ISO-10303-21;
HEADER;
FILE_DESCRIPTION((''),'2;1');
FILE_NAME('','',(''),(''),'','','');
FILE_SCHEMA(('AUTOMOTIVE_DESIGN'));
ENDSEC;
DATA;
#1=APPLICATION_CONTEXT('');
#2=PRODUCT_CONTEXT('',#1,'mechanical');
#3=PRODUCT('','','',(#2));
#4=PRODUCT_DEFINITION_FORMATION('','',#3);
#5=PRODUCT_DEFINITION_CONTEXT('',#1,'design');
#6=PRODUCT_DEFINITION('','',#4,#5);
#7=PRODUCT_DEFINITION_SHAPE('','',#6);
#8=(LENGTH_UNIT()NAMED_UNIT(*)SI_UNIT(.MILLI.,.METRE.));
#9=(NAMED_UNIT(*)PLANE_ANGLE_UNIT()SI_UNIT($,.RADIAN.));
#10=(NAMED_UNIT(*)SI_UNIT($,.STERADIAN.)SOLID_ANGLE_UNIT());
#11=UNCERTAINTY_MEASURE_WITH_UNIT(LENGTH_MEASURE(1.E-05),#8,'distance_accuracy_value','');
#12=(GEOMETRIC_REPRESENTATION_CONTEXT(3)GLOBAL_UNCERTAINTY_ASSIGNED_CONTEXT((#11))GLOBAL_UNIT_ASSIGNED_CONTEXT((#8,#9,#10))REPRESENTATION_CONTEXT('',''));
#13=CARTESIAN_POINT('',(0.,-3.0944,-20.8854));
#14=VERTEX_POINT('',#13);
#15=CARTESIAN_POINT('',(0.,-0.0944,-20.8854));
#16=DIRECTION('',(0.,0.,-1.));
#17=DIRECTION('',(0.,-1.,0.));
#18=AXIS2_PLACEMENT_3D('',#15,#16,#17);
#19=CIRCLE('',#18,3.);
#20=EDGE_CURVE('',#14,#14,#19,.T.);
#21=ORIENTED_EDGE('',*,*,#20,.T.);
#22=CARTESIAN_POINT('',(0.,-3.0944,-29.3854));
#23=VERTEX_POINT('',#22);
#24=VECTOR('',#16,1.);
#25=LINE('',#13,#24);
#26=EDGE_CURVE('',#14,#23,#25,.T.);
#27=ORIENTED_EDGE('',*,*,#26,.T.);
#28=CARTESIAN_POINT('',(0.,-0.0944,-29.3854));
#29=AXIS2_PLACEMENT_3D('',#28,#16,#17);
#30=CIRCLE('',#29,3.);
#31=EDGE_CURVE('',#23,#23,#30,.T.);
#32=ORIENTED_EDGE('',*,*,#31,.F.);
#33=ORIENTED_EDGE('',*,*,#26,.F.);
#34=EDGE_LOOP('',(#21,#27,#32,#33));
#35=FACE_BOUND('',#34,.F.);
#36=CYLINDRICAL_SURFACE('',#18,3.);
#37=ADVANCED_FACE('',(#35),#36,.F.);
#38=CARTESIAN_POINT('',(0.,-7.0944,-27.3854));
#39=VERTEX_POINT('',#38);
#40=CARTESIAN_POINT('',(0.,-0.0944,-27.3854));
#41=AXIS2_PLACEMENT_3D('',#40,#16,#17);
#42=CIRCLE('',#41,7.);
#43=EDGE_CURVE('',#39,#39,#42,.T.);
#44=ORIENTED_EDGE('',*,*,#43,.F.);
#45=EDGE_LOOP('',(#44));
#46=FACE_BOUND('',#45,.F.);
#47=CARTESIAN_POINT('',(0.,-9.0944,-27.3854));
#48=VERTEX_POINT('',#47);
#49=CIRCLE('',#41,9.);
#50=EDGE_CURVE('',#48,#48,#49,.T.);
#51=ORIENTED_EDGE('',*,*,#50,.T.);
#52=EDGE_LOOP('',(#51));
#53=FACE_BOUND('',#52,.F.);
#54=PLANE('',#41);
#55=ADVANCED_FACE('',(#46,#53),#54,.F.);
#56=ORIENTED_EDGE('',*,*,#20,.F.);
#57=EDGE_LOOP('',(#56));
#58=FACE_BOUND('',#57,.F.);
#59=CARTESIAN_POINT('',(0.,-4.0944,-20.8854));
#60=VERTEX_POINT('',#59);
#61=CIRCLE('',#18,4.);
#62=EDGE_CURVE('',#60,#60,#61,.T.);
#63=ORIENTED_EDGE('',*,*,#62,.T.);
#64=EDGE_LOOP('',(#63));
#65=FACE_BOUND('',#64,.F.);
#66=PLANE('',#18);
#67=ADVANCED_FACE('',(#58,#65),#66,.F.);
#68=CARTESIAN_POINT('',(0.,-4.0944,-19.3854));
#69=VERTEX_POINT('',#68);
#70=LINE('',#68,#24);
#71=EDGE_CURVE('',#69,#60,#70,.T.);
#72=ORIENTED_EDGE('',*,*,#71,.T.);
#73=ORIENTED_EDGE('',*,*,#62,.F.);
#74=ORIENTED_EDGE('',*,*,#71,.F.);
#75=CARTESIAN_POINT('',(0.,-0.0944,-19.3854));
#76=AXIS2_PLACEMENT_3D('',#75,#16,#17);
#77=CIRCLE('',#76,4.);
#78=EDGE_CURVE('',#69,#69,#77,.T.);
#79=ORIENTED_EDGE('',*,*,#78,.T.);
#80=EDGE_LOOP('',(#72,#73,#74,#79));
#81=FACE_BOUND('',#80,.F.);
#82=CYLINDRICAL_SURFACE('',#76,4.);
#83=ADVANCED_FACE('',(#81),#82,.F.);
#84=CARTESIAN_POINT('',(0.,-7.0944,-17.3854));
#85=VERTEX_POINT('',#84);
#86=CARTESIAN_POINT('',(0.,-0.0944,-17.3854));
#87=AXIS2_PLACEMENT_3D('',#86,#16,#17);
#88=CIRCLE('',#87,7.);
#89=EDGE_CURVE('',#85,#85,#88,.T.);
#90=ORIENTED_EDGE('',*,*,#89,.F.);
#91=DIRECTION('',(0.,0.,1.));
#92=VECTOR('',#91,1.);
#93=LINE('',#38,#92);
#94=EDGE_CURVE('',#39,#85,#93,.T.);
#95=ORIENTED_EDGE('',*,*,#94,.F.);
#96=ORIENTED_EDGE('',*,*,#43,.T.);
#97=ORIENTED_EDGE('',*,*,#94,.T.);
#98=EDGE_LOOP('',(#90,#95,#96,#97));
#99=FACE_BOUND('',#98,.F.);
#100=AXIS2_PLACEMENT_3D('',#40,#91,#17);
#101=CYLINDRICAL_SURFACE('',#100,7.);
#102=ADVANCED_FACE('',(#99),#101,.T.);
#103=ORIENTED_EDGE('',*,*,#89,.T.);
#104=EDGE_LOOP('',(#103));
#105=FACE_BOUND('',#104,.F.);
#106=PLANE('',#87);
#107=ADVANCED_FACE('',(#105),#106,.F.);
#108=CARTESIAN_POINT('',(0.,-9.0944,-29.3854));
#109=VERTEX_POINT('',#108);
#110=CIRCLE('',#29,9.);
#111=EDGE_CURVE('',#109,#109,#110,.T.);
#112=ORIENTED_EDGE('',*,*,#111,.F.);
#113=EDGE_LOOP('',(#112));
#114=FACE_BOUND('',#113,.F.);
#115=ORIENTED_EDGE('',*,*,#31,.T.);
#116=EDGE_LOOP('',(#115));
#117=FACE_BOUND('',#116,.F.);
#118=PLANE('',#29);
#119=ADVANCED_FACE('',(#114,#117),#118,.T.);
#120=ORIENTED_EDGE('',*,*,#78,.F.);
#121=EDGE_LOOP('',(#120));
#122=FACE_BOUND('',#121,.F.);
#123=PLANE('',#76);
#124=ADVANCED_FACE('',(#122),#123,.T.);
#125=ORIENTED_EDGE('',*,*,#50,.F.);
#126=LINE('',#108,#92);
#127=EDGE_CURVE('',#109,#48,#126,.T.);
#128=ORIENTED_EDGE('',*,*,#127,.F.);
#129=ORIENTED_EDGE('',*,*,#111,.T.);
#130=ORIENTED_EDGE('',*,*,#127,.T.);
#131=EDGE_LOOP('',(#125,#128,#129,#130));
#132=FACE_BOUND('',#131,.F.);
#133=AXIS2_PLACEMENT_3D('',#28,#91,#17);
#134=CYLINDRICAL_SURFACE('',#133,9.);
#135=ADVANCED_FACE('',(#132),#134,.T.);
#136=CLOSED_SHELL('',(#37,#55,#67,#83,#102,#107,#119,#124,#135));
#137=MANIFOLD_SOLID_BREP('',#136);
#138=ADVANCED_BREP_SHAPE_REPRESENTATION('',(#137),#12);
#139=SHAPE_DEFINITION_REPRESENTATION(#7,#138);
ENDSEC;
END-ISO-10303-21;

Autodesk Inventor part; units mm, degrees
ref_plane "YZ Plane" through (0, 0, 0) normal (1, 0, 0) x (0, 1, 0)
ref_plane "XZ Plane" through (0, 0, 0) normal (0, 1, 0) x (-1, 0, 0)
ref_plane "XY Plane" through (0, 0, 0) normal (0, 0, 1) x (1, 0, 0)
sketch "Эскиз1" plane through (0, 0, 0) normal (1, 0, 0) x (0, 1, 0)
  line L0 (-0.0944, -29.3854) -> (-9.0944, -29.3854)
  line L1 (-9.0944, -29.3854) -> (-9.0944, -27.3854)
  line L2 (-9.0944, -27.3854) -> (-7.0944, -27.3854)
  line L3 (-7.0944, -27.3854) -> (-7.0944, -17.3854)
  line L4 (-7.0944, -17.3854) -> (-0.0944, -17.3854)
  line L5 (-0.0944, -17.3854) -> (-0.0944, -19.3854)
  line L6 (-0.0944, -19.3854) -> (-4.0944, -19.3854)
  line L7 (-4.0944, -19.3854) -> (-4.0944, -20.8854)
  line L8 (-4.0944, -20.8854) -> (-3.0944, -20.8854)
  line L9 (-3.0944, -20.8854) -> (-3.0944, -29.3854)
  line L10 (-0.0944, -15.3854) -> (-0.0944, -31.3854)
  point P0 (0, 0)
  point P1 (-105.6045, -1.7251)
revolve "Вращение1" add sketch "Эскиз1" angle 360 about axis through (0, -0.0944, -15.3854) along (0, 0, -1) contours L0 L1 L2 L3 L4 L5 L6 L7 L8 L9
equation "\"Радиус_гибки\" = Толщина"
equation "\"Ширина_просечки\" = Толщина"
equation "\"Глубина_просечки\" = 0.5 * Толщина"
equation "\"Размер_просечки\" = 4 * Толщина"
equation "\"Мин_остаток\" = 2 * Толщина"
equation "\"Радиус_перехода\" = Радиус_гибки"
equation "\"Радиус_Якоби\" = Радиус_гибки"
equation "\"Размер_зазора\" = Толщина"
equation "\"Толщина\" = 0.5"
properties part number "task6"
